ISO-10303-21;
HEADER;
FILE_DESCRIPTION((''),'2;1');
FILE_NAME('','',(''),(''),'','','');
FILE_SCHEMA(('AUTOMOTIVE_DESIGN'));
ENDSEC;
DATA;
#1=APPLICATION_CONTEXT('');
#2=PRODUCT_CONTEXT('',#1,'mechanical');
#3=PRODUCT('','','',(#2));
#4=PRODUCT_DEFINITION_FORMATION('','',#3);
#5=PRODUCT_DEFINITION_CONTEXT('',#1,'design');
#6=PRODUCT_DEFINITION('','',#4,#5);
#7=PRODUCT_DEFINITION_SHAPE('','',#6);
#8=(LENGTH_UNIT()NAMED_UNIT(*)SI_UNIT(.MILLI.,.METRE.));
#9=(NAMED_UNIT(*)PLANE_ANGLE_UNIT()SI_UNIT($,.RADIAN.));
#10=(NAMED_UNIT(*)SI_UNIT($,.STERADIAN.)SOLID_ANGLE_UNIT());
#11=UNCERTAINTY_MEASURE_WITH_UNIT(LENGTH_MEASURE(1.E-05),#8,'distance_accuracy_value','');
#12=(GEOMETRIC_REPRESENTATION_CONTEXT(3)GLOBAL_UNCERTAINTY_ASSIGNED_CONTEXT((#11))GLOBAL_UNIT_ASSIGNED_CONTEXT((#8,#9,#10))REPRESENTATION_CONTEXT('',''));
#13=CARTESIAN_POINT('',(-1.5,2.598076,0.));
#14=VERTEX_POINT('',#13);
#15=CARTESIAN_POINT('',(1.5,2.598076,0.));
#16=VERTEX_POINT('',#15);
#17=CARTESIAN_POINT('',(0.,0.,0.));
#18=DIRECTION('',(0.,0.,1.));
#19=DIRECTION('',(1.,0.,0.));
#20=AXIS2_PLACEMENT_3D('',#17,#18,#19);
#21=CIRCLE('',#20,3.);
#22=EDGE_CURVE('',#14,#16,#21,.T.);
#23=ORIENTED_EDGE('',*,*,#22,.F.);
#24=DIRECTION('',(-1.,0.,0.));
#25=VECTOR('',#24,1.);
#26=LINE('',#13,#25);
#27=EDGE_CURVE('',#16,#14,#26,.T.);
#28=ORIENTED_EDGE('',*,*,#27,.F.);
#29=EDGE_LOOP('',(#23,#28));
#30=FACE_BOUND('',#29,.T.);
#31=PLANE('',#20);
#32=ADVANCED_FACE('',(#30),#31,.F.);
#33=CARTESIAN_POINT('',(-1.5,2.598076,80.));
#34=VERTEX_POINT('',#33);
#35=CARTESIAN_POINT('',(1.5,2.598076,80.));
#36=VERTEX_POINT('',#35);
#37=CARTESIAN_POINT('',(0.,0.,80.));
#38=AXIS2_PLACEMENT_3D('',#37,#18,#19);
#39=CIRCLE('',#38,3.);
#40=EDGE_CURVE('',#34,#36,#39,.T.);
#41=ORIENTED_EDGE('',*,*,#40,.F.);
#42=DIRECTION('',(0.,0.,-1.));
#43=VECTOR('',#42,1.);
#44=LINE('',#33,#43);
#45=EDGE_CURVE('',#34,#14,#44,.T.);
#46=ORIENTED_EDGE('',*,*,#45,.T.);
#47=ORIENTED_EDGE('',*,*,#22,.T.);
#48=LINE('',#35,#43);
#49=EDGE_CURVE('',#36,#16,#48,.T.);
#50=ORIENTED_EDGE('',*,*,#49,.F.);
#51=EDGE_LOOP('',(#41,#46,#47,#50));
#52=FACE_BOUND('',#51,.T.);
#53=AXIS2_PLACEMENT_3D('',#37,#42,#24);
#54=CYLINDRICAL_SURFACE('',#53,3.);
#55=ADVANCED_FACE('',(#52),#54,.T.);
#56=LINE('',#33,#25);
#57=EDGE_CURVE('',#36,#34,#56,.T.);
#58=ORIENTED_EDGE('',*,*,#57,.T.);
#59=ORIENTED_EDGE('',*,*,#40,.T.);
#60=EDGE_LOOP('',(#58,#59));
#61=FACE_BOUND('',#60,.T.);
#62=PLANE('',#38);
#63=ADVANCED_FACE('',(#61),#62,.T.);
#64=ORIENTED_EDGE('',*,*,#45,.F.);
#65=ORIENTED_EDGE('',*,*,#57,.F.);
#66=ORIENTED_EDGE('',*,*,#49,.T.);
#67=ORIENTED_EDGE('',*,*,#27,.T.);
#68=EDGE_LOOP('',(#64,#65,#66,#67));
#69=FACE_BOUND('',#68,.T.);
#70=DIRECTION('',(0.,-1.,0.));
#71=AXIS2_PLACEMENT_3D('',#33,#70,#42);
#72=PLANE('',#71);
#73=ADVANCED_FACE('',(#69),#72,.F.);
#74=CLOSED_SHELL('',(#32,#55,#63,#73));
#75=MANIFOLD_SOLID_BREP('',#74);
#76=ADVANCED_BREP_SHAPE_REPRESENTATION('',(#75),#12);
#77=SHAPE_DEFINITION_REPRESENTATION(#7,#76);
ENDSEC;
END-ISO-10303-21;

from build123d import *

# Parameters (mm, degrees)
BOSS_EXTRUDE1_DEPTH = 80


with BuildPart() as part:
    # Sketch2 → Boss-Extrude1 (new body)
    with BuildSketch(Plane.XY):
        with BuildLine():
            Line((-1.5, 2.598076211), (1.5, 2.598076211))
            ThreePointArc((1.5, 2.598076211), (0, -3), (-1.5, 2.598076211))
        make_face()
    extrude(amount=BOSS_EXTRUDE1_DEPTH)


solid = part.part
